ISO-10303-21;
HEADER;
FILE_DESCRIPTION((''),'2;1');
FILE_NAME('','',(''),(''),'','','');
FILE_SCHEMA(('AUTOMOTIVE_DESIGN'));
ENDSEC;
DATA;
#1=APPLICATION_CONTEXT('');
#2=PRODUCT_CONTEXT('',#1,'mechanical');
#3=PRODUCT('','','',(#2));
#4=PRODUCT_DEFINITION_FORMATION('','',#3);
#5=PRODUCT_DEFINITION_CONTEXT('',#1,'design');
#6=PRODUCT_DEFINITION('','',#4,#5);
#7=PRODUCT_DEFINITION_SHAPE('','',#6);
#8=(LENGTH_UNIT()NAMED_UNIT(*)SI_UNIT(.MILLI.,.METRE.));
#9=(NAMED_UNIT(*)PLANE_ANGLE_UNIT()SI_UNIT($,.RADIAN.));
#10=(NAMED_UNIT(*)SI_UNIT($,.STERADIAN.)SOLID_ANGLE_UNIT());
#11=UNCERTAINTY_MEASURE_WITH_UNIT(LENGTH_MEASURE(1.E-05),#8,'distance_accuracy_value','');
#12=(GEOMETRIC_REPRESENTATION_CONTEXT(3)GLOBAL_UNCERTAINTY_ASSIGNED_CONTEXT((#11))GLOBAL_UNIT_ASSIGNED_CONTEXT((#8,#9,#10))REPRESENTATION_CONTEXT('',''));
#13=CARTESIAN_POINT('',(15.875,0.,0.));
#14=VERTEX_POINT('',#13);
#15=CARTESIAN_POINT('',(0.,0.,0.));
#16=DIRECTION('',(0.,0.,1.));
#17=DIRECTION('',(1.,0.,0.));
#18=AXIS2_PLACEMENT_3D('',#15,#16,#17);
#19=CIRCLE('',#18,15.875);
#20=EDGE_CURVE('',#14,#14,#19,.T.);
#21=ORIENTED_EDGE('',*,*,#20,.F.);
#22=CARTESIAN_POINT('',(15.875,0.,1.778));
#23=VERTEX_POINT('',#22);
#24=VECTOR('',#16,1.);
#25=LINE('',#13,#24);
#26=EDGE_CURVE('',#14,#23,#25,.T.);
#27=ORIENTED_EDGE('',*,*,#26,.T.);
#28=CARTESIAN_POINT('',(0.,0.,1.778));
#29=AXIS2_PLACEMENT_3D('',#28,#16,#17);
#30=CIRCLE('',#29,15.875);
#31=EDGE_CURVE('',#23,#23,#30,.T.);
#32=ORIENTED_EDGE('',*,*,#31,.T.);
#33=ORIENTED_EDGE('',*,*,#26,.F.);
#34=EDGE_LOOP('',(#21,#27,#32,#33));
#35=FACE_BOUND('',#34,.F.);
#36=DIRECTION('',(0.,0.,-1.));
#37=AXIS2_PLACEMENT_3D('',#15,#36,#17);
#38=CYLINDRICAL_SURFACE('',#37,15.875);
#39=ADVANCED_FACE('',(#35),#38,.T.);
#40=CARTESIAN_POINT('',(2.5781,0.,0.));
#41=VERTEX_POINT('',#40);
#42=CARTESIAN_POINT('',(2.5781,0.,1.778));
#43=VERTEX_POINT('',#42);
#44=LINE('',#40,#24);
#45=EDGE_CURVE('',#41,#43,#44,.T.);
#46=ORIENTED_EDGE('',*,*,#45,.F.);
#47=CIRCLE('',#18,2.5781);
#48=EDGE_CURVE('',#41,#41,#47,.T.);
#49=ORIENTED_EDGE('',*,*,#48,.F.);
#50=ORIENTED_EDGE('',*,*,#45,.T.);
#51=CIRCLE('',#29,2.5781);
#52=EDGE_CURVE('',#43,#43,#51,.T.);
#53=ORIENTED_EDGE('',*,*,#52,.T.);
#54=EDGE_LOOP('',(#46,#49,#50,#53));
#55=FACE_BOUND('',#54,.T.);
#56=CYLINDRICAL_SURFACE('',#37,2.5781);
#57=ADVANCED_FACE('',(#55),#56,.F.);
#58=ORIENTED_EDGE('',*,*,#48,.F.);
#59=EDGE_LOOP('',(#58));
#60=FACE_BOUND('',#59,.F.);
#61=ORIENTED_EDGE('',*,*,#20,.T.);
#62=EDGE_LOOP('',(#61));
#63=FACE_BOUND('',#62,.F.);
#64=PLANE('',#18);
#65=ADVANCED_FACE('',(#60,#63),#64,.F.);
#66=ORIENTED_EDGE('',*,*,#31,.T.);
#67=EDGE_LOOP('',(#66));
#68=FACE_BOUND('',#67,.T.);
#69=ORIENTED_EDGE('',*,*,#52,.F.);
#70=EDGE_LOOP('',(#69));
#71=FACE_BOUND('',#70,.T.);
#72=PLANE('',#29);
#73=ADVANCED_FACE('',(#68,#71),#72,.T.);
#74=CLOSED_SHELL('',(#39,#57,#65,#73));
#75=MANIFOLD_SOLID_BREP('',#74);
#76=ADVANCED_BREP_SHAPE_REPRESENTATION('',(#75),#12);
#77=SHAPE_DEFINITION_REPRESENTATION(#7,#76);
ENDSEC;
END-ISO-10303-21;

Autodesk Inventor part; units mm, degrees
ref_plane "YZ Plane" through (0, 0, 0) normal (1, 0, 0) x (0, 1, 0)
ref_plane "XZ Plane" through (0, 0, 0) normal (0, 1, 0) x (-1, 0, 0)
ref_plane "XY Plane" through (0, 0, 0) normal (0, 0, 1) x (1, 0, 0)
sketch "Sketch1" plane through (0, 0, 0) normal (0, 0, 1) x (1, 0, 0)
  circle A0 centre (0, 0) radius 2.5781
  circle A1 centre (0, 0) radius 15.875
  dimension "d0" = 5.1562
  dimension "d1" = 31.75
extrude "Extrusion1" add sketch "Sketch1" along normal blind 1.778
properties part number "HW-00050"
